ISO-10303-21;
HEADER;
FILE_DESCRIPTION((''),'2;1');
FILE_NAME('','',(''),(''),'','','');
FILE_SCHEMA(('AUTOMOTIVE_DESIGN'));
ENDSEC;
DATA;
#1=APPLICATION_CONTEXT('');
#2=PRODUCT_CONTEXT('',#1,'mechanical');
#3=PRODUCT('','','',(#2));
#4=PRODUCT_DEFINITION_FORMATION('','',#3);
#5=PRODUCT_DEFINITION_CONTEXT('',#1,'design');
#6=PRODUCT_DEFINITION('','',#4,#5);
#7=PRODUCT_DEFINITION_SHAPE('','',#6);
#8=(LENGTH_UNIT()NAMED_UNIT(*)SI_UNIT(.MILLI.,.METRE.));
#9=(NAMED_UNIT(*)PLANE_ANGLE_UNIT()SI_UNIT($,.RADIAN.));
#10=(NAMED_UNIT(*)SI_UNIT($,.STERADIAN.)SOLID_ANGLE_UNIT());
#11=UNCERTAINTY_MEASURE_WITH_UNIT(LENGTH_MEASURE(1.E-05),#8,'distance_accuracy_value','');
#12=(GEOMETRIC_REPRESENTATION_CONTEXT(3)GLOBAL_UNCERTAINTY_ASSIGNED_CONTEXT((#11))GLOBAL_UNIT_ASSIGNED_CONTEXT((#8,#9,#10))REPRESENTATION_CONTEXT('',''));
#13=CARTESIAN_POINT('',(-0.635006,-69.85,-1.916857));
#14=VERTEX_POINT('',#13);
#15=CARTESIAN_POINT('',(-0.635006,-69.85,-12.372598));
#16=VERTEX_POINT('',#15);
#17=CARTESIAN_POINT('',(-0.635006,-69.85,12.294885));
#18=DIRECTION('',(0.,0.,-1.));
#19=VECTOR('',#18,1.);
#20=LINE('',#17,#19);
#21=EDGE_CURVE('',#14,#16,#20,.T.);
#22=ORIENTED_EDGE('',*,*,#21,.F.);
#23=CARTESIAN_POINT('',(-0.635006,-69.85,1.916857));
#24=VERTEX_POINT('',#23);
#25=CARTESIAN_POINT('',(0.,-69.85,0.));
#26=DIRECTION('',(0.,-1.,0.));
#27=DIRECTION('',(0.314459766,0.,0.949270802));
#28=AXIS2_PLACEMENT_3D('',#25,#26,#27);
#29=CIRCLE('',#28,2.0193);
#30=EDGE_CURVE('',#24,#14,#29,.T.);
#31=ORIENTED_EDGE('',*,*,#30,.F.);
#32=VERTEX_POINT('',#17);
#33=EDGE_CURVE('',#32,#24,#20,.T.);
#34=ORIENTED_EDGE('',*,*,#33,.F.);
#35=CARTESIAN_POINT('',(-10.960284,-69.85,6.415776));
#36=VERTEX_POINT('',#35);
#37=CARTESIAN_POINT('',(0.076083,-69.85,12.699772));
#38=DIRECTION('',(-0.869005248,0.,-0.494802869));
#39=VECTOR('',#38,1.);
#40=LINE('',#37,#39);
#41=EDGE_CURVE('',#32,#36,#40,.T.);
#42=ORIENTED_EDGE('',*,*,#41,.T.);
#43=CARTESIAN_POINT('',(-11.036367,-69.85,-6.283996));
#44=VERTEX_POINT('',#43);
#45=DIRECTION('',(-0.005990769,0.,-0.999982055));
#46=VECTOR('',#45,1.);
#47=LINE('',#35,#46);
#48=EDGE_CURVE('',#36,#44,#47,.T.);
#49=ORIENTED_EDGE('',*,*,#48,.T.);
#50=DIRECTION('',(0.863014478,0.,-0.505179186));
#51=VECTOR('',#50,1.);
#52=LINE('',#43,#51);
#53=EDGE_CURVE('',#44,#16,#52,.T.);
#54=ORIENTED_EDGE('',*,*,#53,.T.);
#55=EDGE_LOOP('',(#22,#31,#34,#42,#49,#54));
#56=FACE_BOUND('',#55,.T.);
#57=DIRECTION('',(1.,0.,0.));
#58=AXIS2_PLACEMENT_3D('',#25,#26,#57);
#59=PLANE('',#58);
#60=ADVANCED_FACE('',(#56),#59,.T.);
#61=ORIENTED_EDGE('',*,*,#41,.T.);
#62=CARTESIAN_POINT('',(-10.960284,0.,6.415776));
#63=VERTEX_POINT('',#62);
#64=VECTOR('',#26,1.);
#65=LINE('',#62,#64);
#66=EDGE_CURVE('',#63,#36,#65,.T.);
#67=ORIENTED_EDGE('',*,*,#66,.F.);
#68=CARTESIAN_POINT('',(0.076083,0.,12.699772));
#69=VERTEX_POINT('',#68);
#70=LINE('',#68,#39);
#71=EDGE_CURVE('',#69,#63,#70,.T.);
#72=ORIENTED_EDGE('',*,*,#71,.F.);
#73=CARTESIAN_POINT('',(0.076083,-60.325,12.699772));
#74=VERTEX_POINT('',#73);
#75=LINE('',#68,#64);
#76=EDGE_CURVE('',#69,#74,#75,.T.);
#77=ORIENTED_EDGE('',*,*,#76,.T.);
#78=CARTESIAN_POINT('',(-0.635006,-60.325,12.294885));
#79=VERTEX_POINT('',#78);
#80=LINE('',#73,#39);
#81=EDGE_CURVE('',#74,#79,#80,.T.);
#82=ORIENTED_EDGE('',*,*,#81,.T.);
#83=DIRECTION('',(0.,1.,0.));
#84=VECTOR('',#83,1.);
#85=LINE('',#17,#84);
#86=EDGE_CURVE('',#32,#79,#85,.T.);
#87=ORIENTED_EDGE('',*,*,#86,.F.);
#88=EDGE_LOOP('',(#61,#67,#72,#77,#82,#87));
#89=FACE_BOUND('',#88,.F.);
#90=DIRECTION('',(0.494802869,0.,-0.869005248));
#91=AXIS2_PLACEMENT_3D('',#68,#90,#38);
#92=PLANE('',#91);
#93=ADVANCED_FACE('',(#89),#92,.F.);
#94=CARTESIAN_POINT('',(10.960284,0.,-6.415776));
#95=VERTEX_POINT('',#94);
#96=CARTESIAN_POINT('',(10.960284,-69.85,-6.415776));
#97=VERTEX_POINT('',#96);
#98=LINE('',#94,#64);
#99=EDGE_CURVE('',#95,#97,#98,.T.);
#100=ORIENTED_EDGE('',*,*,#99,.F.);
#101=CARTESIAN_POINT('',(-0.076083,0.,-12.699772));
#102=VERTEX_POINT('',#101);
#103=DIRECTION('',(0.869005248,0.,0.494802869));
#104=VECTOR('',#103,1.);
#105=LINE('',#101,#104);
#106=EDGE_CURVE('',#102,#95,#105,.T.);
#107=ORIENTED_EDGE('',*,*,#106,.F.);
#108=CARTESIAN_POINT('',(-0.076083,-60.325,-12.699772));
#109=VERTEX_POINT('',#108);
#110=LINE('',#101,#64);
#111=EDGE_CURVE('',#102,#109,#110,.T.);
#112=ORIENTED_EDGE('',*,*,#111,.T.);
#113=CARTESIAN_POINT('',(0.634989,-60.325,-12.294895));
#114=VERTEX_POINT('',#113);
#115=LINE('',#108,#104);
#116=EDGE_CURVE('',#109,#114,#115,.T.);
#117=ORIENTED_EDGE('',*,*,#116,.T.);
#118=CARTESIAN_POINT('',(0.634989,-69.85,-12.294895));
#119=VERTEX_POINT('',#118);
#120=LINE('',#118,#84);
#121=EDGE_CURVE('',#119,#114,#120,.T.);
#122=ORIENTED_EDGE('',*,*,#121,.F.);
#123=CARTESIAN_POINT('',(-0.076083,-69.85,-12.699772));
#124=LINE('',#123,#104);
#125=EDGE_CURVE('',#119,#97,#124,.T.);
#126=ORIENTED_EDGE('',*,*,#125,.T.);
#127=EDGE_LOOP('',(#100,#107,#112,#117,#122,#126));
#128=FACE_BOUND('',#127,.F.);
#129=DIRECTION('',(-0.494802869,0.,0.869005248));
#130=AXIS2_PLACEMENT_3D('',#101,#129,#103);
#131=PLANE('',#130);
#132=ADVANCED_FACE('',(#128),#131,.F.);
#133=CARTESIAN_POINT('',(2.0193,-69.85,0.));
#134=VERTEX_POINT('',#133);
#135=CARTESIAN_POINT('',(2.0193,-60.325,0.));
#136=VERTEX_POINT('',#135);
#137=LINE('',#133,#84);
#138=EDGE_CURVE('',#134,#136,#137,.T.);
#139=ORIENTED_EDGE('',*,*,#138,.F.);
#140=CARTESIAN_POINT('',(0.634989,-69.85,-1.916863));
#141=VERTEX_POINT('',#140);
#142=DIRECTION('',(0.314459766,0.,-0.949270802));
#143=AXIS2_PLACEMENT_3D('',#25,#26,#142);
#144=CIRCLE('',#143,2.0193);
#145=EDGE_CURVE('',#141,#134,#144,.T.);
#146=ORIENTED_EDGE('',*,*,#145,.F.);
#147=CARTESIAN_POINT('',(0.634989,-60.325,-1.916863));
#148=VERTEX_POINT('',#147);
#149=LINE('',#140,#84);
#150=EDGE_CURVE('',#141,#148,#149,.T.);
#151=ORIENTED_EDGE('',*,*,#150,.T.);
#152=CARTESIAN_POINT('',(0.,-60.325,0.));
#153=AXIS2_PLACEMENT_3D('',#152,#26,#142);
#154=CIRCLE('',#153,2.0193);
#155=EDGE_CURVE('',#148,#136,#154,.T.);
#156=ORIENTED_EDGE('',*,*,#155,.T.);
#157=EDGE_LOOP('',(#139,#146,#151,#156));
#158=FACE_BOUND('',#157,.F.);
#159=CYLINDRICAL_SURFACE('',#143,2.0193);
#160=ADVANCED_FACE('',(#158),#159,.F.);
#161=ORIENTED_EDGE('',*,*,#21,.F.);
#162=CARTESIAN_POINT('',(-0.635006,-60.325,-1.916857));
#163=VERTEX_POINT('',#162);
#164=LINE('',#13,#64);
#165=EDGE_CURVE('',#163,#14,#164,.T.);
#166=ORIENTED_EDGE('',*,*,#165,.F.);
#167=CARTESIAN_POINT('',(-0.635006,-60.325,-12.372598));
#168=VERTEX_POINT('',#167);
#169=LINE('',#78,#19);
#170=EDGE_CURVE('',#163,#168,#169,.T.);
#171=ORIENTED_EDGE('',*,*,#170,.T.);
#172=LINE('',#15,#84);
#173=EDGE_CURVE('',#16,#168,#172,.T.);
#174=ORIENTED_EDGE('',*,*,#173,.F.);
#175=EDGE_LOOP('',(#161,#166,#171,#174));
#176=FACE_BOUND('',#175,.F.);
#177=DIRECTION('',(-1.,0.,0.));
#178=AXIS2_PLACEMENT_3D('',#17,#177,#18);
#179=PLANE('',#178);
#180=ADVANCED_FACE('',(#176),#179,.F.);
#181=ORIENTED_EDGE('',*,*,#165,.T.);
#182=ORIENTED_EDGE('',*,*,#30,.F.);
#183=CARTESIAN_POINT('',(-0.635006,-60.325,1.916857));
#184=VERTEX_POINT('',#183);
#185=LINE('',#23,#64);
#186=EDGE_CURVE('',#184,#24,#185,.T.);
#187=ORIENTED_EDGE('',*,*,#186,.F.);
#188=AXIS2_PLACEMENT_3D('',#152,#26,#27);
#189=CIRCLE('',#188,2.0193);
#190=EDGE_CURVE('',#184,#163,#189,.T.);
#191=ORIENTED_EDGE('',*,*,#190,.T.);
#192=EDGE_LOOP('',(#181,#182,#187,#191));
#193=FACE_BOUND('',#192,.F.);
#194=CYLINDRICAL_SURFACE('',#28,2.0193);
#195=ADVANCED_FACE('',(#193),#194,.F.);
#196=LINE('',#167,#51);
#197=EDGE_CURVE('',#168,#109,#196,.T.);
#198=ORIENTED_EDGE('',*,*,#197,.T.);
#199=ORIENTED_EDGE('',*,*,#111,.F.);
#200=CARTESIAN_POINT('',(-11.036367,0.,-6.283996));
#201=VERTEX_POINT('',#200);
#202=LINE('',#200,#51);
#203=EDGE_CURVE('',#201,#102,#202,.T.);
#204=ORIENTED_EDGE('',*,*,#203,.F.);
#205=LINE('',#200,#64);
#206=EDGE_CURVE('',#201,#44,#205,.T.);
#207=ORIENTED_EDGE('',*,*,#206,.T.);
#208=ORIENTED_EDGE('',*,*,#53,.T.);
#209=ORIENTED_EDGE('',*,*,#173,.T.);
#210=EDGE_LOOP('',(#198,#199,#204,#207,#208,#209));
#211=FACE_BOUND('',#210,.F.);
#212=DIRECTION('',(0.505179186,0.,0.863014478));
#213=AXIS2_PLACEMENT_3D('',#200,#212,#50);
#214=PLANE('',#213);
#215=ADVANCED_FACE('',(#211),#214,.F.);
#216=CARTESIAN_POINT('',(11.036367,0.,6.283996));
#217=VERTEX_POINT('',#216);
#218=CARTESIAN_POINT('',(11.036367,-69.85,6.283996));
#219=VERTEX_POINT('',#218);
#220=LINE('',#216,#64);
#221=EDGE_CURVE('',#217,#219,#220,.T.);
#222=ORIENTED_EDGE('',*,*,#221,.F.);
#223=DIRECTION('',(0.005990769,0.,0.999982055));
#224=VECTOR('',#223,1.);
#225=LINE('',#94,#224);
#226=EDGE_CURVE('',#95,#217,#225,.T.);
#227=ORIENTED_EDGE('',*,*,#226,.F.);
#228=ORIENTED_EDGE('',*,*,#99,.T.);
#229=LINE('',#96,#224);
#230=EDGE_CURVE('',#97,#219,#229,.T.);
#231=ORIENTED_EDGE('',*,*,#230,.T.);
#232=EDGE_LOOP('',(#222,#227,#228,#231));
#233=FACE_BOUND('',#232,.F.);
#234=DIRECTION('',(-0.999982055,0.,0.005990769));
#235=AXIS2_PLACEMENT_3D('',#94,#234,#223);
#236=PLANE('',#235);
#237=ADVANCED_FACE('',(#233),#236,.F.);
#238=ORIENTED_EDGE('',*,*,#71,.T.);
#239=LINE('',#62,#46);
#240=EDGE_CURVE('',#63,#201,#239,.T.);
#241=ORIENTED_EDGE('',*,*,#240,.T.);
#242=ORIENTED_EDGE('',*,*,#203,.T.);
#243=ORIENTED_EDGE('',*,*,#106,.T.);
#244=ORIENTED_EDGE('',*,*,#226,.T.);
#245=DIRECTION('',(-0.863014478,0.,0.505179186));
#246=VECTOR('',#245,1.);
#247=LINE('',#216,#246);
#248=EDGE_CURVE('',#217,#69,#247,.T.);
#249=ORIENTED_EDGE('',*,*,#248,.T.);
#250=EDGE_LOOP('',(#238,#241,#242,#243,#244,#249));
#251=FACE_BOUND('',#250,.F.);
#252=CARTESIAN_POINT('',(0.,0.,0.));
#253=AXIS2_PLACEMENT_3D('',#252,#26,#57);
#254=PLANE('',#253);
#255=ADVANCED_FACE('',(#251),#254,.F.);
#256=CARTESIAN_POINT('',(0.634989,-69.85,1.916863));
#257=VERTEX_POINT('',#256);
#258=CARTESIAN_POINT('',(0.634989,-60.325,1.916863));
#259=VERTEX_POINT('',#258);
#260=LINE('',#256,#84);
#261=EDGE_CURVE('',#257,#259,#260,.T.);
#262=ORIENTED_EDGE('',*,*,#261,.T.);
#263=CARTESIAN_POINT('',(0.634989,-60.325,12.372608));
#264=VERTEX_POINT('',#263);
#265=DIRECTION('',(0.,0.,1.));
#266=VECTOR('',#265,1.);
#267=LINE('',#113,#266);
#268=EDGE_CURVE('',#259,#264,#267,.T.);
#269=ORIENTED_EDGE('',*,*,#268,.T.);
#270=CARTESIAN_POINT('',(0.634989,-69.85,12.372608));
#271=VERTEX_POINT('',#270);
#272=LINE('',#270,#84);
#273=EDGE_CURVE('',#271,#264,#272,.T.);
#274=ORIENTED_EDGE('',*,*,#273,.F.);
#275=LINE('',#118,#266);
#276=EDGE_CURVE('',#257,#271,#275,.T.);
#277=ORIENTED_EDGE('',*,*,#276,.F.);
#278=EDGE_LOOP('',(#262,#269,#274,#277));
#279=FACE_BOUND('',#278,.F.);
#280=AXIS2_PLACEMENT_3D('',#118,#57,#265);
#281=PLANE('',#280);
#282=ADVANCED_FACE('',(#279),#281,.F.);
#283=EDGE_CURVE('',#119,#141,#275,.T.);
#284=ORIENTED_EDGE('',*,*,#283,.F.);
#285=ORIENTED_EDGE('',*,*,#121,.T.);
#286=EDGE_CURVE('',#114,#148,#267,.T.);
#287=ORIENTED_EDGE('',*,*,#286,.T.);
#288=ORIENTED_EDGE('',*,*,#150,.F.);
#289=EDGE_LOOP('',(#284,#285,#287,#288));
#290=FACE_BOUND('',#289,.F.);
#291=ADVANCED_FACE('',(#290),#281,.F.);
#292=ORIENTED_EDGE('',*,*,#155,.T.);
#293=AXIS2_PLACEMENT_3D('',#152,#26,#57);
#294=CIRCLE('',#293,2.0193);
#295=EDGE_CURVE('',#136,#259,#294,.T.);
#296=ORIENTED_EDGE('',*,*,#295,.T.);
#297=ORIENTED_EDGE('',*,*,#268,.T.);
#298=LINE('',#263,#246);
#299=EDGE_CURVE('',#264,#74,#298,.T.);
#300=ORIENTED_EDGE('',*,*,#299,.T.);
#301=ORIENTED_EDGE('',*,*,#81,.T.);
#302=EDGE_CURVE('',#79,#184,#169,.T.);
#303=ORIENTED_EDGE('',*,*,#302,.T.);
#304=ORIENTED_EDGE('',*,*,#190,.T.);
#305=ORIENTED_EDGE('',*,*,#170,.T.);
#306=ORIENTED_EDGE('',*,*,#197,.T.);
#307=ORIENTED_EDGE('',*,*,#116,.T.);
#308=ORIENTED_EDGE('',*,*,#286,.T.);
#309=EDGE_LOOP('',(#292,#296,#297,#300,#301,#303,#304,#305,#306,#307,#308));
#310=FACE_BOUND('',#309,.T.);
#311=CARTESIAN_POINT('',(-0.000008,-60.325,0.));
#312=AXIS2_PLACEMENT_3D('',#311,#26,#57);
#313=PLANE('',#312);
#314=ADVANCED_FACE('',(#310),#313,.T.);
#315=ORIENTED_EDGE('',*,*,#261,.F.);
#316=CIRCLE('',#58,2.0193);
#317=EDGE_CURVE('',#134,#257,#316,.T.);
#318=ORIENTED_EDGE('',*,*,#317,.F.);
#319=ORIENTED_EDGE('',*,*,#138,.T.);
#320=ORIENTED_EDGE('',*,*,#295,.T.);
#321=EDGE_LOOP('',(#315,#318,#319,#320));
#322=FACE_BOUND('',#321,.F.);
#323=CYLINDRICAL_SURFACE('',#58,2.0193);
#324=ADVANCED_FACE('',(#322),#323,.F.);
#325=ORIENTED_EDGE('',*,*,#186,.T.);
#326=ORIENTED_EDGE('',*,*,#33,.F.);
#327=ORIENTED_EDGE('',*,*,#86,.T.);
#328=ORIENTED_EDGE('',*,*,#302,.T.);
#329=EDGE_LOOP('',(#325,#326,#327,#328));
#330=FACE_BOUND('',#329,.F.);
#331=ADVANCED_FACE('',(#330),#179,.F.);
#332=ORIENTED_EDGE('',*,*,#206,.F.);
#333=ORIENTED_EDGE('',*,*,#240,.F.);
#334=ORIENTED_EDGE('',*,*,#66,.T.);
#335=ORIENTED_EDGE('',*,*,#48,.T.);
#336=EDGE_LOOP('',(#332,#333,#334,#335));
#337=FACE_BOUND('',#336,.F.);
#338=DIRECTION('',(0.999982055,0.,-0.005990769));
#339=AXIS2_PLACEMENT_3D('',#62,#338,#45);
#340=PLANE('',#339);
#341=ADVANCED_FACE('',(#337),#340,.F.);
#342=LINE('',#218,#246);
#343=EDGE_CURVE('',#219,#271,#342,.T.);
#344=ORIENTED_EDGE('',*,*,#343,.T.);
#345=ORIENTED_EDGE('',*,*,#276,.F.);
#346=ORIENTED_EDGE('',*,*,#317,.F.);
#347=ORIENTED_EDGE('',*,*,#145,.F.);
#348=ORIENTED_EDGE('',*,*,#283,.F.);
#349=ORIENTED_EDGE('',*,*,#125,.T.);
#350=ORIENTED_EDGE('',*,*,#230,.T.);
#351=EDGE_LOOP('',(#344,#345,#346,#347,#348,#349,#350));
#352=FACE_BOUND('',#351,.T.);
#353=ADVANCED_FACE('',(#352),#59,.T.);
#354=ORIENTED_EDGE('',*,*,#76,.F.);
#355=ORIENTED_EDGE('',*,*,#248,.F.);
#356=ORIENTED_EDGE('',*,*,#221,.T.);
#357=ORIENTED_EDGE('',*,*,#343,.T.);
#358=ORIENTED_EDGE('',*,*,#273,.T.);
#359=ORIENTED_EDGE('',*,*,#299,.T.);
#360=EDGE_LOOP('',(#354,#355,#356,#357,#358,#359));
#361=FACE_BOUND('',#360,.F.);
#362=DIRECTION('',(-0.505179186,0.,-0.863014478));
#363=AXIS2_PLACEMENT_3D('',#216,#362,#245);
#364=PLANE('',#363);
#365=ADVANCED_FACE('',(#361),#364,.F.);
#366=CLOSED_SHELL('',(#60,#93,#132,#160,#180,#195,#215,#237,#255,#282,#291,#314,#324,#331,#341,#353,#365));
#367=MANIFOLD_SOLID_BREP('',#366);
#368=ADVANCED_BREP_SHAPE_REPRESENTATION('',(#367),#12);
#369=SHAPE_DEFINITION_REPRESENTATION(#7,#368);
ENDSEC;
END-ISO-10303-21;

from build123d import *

# Parameters (mm, degrees)
F1_DEPTH = 69.85
F3_DEPTH = 9.525
F5_DEPTH = 9.525


with BuildPart() as f1:
    # F0 (on Front) → F1 (new body)
    with BuildSketch(Plane.XZ):
        Polygon((11.0363666468, 6.2839964384), (0.0760827704, 12.6997721008), (-10.9602838763, 6.4157756624), (-11.0363666468, -6.2839964384), (-0.0760827704, -12.6997721008), (10.9602838763, -6.4157756624), align=None)
    extrude(amount=F1_DEPTH)

    # F2 (on face) → F3 (cut)
    with BuildSketch(Plane.XZ.offset(69.85)):
        Polygon((-0.6350056975, 12.2948854617), (-0.6350056975, 0), (-0.6350056975, -12.372597718), (-0.0760827704, -12.6997721008), (0.634988605, -12.2948951939), (0.634988605, -0.0038041385), (0.634988605, 12.3726077233), (0.0760827704, 12.6997721008), align=None)
    extrude(amount=-F3_DEPTH, mode=Mode.SUBTRACT)

    # F4 (on face) → F5 (cut)
    with BuildSketch(Plane.XZ.offset(69.85)):
        with BuildLine():
            ThreePointArc((0.634988605, -1.9168625307), (1.6370407723, -1.1822309419), (2.0193, 0))
            ThreePointArc((2.0193, 0), (1.6370407723, 1.1822309419), (0.634988605, 1.9168625307))
            Line((0.634988605, 1.9168625307), (0.634988605, -1.9168625307))
        make_face()
        with BuildLine():
            Line((0.634988605, -1.9168625307), (0.634988605, 1.9168625307))
            ThreePointArc((0.634988605, 1.9168625307), (-2.0193, 0), (0.634988605, -1.9168625307))
        make_face()
    extrude(amount=-F5_DEPTH, mode=Mode.SUBTRACT)


solid = f1.part
